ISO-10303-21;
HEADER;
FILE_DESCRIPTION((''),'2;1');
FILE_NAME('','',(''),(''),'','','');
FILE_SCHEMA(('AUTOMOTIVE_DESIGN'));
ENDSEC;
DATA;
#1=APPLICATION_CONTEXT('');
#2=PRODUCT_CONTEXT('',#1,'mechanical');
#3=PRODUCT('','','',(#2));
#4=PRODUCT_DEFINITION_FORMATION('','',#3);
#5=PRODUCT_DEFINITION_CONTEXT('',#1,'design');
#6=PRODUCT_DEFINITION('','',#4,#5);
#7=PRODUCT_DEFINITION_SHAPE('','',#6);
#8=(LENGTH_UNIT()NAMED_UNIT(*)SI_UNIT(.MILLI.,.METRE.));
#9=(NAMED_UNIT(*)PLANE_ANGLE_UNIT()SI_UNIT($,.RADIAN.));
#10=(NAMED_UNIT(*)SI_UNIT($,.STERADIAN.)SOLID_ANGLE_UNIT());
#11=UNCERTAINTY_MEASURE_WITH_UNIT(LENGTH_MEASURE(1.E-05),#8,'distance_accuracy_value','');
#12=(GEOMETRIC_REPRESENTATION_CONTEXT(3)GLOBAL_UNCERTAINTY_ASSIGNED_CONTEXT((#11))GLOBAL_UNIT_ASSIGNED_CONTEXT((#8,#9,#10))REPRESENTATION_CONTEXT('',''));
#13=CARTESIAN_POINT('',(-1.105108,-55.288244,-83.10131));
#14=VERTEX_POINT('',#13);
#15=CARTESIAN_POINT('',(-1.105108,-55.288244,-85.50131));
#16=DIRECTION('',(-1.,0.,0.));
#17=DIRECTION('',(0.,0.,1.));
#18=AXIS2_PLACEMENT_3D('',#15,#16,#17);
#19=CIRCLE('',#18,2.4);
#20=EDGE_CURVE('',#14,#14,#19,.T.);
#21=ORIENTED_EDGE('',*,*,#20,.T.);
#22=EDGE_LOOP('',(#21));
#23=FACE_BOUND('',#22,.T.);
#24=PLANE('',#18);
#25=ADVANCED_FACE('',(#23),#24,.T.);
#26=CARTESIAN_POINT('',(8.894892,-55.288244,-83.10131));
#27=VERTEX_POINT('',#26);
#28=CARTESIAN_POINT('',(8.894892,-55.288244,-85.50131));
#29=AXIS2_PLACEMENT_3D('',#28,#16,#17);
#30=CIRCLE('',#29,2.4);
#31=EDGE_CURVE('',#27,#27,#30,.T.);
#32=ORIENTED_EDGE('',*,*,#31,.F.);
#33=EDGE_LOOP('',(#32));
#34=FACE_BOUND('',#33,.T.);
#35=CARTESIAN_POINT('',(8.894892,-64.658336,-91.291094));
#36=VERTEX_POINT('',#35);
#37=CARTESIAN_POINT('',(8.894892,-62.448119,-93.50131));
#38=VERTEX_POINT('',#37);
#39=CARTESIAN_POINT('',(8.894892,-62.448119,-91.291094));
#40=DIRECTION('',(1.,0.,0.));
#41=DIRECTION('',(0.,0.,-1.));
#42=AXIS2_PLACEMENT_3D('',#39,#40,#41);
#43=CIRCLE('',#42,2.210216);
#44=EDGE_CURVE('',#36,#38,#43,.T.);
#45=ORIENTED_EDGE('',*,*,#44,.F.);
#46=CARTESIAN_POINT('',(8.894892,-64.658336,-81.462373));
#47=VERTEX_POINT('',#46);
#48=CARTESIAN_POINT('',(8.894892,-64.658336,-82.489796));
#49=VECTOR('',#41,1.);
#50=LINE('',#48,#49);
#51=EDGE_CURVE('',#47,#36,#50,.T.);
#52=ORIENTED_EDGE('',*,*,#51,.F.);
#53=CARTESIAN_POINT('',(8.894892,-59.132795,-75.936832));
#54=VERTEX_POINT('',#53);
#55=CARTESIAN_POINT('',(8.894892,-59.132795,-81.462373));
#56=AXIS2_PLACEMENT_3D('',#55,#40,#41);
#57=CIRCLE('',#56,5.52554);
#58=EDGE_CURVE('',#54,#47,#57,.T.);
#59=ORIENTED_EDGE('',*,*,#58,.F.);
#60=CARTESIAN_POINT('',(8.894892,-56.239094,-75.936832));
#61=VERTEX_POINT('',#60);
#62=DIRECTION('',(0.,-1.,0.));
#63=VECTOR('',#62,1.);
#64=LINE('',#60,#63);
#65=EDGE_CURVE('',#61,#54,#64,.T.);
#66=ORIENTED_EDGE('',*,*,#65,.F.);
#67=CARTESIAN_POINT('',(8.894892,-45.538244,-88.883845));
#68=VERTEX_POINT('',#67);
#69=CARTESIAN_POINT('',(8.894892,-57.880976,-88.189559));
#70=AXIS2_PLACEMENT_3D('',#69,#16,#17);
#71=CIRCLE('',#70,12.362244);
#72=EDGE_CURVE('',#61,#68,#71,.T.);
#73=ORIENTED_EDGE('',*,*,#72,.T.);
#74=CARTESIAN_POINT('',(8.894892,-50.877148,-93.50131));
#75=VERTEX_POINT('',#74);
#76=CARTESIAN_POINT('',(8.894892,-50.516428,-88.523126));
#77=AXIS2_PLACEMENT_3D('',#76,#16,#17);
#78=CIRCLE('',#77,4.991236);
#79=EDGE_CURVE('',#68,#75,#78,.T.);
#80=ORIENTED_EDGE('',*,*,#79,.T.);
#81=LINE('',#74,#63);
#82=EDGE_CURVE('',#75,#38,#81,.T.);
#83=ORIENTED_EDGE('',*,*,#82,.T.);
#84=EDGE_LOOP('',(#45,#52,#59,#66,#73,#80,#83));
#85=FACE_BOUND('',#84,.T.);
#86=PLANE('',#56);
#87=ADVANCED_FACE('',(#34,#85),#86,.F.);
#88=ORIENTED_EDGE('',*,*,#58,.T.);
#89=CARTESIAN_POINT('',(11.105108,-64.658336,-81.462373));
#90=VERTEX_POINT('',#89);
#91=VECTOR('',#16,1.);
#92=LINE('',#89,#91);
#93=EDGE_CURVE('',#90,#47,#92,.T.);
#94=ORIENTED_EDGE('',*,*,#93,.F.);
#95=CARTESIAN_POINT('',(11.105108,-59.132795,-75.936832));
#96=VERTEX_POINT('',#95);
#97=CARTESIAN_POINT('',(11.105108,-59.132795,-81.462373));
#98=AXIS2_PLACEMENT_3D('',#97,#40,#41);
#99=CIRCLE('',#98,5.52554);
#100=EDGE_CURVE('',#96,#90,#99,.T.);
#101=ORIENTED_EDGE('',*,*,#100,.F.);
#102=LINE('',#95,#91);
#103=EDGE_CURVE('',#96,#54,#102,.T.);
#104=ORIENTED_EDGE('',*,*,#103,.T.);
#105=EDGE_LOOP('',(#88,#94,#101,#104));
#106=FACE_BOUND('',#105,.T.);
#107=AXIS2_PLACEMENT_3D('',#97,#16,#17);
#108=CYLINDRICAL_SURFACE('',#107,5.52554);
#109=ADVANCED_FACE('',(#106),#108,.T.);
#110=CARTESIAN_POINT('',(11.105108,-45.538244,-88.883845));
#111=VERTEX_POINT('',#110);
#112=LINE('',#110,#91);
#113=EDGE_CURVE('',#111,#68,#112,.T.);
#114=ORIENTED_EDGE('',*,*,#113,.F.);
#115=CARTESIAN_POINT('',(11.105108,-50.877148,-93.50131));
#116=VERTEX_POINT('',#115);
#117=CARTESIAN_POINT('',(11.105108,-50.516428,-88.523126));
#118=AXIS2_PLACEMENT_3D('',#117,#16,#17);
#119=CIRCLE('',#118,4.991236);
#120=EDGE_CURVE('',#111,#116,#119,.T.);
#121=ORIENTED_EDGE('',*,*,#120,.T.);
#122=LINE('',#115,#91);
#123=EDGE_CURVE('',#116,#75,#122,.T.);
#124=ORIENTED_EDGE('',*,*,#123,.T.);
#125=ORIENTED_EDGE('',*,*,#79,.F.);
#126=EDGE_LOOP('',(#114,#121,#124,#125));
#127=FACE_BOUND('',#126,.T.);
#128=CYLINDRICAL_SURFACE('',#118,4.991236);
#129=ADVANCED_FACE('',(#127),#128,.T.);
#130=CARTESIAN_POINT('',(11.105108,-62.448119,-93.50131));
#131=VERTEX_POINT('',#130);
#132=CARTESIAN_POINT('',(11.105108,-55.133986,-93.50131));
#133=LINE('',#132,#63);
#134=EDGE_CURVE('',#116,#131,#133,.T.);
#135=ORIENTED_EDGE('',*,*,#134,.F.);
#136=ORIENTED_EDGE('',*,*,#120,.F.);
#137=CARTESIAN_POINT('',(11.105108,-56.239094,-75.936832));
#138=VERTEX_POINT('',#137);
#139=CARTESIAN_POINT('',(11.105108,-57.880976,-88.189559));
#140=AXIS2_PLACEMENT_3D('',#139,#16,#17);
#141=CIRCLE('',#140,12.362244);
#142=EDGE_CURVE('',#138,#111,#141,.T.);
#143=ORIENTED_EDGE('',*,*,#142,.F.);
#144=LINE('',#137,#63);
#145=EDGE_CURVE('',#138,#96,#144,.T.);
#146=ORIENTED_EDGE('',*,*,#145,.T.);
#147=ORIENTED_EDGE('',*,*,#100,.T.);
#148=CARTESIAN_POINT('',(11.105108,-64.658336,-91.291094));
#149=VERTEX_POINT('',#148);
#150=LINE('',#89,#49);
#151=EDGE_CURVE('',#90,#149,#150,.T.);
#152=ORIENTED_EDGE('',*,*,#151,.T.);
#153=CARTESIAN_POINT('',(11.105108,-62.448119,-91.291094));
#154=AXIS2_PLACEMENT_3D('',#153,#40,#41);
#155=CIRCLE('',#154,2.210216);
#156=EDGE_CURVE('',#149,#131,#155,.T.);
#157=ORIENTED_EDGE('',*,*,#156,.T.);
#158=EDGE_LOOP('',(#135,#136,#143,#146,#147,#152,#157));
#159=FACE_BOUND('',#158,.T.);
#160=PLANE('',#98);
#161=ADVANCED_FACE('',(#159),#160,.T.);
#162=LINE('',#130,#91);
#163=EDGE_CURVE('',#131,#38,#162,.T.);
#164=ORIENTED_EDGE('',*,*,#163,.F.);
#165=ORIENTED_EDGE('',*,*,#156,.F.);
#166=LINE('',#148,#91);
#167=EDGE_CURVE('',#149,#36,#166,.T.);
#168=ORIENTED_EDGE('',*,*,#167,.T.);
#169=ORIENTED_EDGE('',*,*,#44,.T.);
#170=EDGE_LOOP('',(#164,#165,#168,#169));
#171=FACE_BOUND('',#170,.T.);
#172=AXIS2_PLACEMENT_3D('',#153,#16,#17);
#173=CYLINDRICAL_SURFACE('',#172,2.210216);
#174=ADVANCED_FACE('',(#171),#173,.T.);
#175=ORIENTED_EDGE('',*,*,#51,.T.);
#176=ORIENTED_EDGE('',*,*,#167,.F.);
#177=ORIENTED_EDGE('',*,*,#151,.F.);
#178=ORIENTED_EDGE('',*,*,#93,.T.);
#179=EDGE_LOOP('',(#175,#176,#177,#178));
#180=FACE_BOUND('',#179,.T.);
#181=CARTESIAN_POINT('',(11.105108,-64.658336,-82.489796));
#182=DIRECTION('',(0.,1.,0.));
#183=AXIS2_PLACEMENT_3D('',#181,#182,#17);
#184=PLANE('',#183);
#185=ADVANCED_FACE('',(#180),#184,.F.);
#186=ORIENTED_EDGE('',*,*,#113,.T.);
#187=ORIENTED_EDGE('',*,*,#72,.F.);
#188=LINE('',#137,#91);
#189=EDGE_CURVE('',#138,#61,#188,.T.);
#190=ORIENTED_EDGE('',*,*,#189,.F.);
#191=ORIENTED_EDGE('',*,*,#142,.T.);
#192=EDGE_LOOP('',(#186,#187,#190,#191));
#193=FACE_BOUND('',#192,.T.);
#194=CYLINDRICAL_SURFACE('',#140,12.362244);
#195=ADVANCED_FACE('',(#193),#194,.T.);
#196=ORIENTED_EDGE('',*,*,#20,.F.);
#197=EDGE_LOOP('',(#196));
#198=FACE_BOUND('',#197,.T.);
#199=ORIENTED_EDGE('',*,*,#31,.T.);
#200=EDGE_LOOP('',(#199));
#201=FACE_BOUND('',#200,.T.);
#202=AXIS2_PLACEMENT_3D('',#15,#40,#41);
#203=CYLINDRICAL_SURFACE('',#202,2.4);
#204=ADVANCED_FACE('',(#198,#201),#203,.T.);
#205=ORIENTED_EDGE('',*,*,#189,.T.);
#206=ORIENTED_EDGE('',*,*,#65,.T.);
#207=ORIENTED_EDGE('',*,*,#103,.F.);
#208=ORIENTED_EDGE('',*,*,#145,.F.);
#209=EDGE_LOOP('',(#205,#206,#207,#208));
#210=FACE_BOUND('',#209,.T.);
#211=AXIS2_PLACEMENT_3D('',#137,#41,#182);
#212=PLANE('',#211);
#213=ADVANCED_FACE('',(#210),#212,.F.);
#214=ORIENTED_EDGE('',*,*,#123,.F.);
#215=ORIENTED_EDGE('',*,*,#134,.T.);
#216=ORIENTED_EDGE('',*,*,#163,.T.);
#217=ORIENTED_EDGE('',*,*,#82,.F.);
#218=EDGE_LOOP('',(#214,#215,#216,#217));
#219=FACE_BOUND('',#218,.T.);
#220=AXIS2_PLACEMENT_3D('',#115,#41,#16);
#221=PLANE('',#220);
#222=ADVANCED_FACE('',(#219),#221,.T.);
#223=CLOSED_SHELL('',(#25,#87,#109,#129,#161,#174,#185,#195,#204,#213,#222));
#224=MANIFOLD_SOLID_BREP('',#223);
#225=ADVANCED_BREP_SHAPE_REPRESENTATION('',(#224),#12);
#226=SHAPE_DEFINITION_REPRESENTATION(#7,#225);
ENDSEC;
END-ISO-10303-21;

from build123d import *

# Parameters (mm, degrees)
BOSS_EXTRUDE1_DEPTH = 20
SCALE1_SCALE        = 0.110510806
SKETCH5_R           = 2.4
BOSS_EXTRUDE2_DEPTH = 10


with BuildPart() as part:
    # Sketch3 → Boss-Extrude1 (new body)
    with BuildSketch(Plane(origin=(0, 0, 0), x_dir=(0, 0, -1), z_dir=(1, 0, 0))):
        with BuildLine():
            Line((0, -60), (0, -86.184781703))
            ThreePointArc((0, -86.184781703), (14.644660941, -121.540120762), (50, -136.184781703))
            Line((50, -136.184781703), (59.297038535, -136.184781703))
            Line((59.297038535, -136.184781703), (138.939006392, -136.184781703))
            ThreePointArc((138.939006392, -136.184781703), (153.081142016, -130.326917326), (158.939006392, -116.184781703))
            Line((158.939006392, -116.184781703), (158.939006392, -50))
            Line((158.939006392, -50), (158.939006392, -11.480346054))
            ThreePointArc((158.939006392, -11.480346054), (148.053108697, 21.328755123), (117.156078712, 36.830801017))
            ThreePointArc((117.156078712, 36.830801017), (39.60735059, 11.368133348), (0, -60))
        make_face()
    extrude(amount=BOSS_EXTRUDE1_DEPTH)


with BuildPart() as part_1:
    # Scale1: scaled about (10, -55.771836123, -85.371281571)
    add(part.part.scale(SCALE1_SCALE).moved(Location((8.89489194, -49.608445561, -75.936832435))))

    # Sketch5 → Boss-Extrude2 (add)
    with BuildSketch(Plane.ZY.offset(-8.89489194)):
        with Locations((-85.501310137, -55.288244055)):
            Circle(SKETCH5_R)
    extrude(amount=BOSS_EXTRUDE2_DEPTH)


solid = part_1.part
